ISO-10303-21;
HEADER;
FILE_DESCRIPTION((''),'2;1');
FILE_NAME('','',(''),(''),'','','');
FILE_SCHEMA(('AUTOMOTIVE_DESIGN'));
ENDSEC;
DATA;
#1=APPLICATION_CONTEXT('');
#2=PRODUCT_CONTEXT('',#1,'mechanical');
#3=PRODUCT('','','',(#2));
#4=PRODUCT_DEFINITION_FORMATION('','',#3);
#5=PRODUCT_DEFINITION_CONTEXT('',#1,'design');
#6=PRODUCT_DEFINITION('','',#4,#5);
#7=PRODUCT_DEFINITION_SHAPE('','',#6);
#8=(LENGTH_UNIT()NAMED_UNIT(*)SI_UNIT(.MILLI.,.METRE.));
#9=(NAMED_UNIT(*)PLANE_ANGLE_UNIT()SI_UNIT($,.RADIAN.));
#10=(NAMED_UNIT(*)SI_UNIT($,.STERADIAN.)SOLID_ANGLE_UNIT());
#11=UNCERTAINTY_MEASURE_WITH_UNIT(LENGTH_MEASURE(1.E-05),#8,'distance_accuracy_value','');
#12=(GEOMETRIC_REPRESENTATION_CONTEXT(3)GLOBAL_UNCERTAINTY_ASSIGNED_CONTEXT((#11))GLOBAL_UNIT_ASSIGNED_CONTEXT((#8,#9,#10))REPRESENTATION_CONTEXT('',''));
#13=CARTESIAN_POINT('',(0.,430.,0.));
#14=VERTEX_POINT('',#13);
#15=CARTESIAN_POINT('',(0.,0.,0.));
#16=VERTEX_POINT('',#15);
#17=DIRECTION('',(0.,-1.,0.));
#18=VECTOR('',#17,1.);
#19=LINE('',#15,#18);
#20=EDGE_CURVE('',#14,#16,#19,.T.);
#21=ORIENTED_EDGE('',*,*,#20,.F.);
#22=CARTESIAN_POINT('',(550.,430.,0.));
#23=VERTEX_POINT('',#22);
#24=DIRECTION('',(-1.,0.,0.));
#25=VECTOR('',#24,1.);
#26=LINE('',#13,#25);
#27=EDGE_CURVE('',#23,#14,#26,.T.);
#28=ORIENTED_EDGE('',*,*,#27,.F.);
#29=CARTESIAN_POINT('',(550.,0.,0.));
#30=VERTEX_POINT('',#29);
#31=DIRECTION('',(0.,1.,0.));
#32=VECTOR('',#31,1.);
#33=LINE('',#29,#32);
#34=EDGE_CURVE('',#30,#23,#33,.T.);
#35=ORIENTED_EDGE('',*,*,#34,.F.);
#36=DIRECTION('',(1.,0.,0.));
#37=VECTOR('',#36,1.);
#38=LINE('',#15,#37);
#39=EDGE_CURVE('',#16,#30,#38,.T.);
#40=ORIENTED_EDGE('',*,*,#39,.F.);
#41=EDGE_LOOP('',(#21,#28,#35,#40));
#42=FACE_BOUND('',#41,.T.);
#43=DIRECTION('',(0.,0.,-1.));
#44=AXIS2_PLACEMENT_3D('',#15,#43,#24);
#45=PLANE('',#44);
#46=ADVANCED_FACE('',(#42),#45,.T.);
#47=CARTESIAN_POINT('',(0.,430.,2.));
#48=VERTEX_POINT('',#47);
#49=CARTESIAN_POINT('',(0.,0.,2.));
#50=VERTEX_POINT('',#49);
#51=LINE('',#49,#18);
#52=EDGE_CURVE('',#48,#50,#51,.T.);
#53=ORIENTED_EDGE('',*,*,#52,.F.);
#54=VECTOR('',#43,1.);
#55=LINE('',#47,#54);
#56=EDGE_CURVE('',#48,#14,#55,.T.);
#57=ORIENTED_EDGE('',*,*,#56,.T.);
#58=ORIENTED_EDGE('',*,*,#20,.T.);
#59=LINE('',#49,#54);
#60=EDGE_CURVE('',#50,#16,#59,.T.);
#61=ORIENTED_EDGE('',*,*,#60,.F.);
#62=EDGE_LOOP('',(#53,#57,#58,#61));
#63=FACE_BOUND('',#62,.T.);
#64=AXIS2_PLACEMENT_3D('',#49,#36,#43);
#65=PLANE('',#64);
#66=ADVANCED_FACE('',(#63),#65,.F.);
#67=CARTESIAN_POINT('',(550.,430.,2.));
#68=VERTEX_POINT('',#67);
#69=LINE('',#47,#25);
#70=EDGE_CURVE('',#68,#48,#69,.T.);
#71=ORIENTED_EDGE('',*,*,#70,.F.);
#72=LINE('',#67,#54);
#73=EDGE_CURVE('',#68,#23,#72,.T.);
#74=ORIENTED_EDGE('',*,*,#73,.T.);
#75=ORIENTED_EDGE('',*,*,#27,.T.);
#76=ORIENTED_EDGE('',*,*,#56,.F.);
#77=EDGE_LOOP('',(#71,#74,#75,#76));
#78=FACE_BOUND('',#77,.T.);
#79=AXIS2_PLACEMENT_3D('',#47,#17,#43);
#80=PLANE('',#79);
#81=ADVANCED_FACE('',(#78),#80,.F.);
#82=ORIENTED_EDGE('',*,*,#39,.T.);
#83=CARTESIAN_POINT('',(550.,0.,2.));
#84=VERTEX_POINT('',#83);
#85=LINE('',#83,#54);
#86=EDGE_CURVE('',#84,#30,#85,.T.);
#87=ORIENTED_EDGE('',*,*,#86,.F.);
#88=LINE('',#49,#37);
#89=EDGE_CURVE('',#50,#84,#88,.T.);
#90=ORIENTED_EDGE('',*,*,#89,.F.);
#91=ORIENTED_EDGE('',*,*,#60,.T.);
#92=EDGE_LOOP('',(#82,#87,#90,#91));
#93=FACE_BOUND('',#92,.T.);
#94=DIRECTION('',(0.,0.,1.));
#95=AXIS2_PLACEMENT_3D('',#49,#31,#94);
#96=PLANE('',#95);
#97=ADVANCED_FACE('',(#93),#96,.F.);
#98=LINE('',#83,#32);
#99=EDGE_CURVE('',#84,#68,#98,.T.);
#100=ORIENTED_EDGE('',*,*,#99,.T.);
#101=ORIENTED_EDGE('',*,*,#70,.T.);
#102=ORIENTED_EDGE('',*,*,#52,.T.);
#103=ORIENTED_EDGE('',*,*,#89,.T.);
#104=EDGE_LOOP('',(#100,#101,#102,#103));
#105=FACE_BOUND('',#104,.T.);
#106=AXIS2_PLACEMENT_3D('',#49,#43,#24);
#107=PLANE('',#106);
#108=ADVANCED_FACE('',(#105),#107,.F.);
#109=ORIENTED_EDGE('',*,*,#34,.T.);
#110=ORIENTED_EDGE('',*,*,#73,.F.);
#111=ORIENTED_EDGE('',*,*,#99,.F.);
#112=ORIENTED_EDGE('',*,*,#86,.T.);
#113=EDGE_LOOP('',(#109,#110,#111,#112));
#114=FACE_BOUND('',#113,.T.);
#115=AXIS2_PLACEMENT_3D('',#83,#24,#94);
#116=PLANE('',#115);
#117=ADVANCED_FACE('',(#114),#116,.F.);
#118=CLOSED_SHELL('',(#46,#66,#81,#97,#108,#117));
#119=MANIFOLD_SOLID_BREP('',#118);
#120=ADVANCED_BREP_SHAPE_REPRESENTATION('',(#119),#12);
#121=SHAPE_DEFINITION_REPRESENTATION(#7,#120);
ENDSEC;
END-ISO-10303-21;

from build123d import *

# Parameters (mm, degrees)
ESBO_O1_W                = 550
ESBO_O1_H                = 430
RESSALTO_EXTRUS_O1_DEPTH = 2


with BuildPart() as part:
    # Esboço1 → Ressalto-extrusão1 (new body)
    with BuildSketch(Plane.XY):
        with Locations((275, 215)):
            Rectangle(ESBO_O1_W, ESBO_O1_H)
    extrude(amount=RESSALTO_EXTRUS_O1_DEPTH)


solid = part.part
